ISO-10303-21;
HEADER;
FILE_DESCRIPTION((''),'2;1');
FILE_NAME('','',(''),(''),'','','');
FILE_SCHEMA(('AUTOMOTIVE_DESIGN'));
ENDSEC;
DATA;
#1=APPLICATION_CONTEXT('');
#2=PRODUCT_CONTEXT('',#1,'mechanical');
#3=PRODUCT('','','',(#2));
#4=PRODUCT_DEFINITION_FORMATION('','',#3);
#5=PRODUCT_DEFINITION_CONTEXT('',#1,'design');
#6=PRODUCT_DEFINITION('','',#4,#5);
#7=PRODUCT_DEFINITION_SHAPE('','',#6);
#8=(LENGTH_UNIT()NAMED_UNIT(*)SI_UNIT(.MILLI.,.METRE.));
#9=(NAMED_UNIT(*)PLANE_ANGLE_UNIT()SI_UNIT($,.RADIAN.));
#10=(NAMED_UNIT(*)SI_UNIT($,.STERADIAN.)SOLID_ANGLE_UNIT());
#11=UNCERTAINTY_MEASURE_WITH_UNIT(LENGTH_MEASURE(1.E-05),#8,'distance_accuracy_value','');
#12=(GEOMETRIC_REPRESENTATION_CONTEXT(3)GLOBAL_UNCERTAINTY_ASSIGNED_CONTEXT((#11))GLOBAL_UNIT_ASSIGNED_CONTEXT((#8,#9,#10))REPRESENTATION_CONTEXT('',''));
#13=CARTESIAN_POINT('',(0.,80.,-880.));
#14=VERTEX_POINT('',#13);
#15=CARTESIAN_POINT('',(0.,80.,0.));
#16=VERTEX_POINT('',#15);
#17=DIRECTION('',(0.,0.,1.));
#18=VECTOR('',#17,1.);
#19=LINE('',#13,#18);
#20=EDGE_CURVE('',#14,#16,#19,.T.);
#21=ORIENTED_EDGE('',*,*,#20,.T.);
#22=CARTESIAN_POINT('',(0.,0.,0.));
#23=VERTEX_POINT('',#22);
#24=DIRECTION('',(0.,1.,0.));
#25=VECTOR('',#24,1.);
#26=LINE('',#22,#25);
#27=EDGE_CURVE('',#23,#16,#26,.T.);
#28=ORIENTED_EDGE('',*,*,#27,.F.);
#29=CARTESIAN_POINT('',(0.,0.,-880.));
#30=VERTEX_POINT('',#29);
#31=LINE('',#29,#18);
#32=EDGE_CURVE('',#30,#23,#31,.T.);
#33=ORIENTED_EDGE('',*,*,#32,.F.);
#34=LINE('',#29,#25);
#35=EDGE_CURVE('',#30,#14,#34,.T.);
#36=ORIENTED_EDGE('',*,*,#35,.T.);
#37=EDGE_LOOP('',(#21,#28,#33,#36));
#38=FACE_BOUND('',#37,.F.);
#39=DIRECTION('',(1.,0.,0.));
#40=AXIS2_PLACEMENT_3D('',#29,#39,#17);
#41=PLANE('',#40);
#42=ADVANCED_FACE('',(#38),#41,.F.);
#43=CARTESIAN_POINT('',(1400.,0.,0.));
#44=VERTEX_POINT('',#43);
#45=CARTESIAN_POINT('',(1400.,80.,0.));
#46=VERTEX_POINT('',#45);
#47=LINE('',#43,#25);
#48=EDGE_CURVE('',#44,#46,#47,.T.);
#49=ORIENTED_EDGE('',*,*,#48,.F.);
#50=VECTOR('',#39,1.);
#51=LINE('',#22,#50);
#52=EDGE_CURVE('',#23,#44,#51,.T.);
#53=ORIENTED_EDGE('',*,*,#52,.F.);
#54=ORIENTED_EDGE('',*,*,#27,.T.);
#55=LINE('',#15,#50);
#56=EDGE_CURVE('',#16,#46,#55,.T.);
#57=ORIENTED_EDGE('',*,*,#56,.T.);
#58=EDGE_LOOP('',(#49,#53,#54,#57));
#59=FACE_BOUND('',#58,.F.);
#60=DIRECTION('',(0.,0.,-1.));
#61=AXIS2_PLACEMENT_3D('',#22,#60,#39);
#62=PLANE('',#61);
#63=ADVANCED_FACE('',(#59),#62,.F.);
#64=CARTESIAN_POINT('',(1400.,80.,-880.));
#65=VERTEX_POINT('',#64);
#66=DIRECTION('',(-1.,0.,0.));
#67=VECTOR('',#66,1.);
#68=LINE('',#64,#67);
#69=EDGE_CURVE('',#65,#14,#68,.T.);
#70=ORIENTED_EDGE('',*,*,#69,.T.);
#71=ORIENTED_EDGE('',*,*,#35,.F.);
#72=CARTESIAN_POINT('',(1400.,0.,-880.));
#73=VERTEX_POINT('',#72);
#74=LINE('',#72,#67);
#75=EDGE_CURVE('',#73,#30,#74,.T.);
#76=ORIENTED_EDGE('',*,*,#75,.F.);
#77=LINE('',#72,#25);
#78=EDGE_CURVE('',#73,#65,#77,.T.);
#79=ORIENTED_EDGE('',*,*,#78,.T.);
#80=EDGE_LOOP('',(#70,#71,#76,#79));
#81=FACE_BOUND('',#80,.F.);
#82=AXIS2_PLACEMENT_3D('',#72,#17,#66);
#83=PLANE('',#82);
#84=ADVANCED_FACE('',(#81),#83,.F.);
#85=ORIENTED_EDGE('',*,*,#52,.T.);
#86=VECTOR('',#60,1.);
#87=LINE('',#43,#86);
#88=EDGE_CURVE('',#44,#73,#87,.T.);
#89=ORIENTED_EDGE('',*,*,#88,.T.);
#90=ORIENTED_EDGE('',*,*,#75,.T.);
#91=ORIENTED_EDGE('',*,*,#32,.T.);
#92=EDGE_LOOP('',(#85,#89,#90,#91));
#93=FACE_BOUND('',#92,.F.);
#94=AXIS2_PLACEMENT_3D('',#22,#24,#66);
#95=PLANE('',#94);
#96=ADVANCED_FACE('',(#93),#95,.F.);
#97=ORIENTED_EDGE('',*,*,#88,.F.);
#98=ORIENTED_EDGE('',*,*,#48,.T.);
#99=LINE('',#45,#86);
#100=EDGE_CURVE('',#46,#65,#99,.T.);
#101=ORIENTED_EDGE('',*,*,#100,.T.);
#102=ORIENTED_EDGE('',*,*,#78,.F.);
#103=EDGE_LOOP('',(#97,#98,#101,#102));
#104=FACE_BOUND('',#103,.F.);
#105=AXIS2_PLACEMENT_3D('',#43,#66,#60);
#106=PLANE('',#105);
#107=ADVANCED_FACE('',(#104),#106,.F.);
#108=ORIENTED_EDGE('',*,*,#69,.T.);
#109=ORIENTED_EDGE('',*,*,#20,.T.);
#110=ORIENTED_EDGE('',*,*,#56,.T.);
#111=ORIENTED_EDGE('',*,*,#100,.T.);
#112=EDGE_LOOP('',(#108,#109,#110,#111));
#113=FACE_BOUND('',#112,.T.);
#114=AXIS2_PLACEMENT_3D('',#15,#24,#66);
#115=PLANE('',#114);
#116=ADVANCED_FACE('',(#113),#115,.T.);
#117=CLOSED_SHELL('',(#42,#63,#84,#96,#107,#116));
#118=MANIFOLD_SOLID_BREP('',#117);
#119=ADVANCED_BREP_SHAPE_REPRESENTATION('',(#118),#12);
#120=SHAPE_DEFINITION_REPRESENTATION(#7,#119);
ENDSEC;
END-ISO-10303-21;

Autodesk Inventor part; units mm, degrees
ref_plane "YZ Plane" through (0, 0, 0) normal (1, 0, 0) x (0, 1, 0)
ref_plane "XZ Plane" through (0, 0, 0) normal (0, 1, 0) x (-1, 0, 0)
ref_plane "XY Plane" through (0, 0, 0) normal (0, 0, 1) x (1, 0, 0)
sketch "Skizze1" plane through (0, 0, 0) normal (0, 1, 0) x (-1, 0, 0)
  line L0 (0, 0) -> (-1400, 0)
  line L1 (-1400, 0) -> (-1400, -880)
  line L2 (-1400, -880) -> (0, -880)
  line L3 (0, -880) -> (0, 0)
  dimension "Y" = 1400
  dimension "X" = 880
extrude "Extrusion1" add sketch "Skizze1" along normal blind 80
sketch "Skizze6" plane through (0, 0, 0) normal (0, 0, 1) x (1, 0, 0)
  line L0 (0, 0) -> (1400, 0) construction
  line L1 (1400, 0) -> (1400, 80) construction
  line L2 (0, 80) -> (1400, 80) construction
  line L3 (0, 0) -> (0, 80) construction
  line L4 (700, 80) -> (700, 0)
  dimension "d44" = 700
sketch "Skizze7" plane through (1400, 0, 0) normal (1, 0, 0) x (0, 0, -1)
  line L0 (0, 0) -> (880, 0) construction
  line L1 (880, 0) -> (880, 80) construction
  line L2 (0, 80) -> (880, 80) construction
  line L3 (0, 0) -> (0, 80) construction
  line L4 (880, 80) -> (0, 80) projected
  line L5 (440, 80) -> (440, 0)
  line L6 (0, 0) -> (880, 0) projected
  dimension "d45" = 440
sketch "Skizze8" plane through (1400, 0, -880) normal (0, 0, -1) x (-1, 0, 0)
  line L0 (0, 0) -> (1400, 0) construction
  line L1 (1400, 0) -> (1400, 80) construction
  line L2 (0, 80) -> (1400, 80) construction
  line L3 (0, 0) -> (0, 80) construction
  line L4 (700, 80) -> (700, 0)
  dimension "d46" = 700
sketch "Skizze9" plane through (0, 0, -880) normal (-1, 0, 0) x (0, 0, 1)
  line L0 (0, 0) -> (880, 0) construction
  line L1 (880, 0) -> (880, 80) construction
  line L2 (0, 80) -> (880, 80) construction
  line L3 (0, 0) -> (0, 80) construction
  line L4 (440, 80) -> (440, 0)
  dimension "d47" = 440
equation "\"Y\" = FrameYdist"
equation "\"X\" = FrameXdist"
equation "\"Z\" = FrameZdist"
equation "\"d44\" = 0.5 * Y"
equation "\"d45\" = 0.5 * X"
equation "\"d46\" = 0.5 * Y"
equation "\"d47\" = 0.5 * X"
equation "\"FrameZdist\" = FrameZdist_1"
equation "\"FrameXdist\" = FrameXdist_1"
equation "\"FrameYdist\" = FrameYdist_1"
equation "\"FrameZdist_1\" = 80"
equation "\"FrameXdist_1\" = 880"
equation "\"FrameYdist_1\" = 1400"
properties part number "Rahmen"
